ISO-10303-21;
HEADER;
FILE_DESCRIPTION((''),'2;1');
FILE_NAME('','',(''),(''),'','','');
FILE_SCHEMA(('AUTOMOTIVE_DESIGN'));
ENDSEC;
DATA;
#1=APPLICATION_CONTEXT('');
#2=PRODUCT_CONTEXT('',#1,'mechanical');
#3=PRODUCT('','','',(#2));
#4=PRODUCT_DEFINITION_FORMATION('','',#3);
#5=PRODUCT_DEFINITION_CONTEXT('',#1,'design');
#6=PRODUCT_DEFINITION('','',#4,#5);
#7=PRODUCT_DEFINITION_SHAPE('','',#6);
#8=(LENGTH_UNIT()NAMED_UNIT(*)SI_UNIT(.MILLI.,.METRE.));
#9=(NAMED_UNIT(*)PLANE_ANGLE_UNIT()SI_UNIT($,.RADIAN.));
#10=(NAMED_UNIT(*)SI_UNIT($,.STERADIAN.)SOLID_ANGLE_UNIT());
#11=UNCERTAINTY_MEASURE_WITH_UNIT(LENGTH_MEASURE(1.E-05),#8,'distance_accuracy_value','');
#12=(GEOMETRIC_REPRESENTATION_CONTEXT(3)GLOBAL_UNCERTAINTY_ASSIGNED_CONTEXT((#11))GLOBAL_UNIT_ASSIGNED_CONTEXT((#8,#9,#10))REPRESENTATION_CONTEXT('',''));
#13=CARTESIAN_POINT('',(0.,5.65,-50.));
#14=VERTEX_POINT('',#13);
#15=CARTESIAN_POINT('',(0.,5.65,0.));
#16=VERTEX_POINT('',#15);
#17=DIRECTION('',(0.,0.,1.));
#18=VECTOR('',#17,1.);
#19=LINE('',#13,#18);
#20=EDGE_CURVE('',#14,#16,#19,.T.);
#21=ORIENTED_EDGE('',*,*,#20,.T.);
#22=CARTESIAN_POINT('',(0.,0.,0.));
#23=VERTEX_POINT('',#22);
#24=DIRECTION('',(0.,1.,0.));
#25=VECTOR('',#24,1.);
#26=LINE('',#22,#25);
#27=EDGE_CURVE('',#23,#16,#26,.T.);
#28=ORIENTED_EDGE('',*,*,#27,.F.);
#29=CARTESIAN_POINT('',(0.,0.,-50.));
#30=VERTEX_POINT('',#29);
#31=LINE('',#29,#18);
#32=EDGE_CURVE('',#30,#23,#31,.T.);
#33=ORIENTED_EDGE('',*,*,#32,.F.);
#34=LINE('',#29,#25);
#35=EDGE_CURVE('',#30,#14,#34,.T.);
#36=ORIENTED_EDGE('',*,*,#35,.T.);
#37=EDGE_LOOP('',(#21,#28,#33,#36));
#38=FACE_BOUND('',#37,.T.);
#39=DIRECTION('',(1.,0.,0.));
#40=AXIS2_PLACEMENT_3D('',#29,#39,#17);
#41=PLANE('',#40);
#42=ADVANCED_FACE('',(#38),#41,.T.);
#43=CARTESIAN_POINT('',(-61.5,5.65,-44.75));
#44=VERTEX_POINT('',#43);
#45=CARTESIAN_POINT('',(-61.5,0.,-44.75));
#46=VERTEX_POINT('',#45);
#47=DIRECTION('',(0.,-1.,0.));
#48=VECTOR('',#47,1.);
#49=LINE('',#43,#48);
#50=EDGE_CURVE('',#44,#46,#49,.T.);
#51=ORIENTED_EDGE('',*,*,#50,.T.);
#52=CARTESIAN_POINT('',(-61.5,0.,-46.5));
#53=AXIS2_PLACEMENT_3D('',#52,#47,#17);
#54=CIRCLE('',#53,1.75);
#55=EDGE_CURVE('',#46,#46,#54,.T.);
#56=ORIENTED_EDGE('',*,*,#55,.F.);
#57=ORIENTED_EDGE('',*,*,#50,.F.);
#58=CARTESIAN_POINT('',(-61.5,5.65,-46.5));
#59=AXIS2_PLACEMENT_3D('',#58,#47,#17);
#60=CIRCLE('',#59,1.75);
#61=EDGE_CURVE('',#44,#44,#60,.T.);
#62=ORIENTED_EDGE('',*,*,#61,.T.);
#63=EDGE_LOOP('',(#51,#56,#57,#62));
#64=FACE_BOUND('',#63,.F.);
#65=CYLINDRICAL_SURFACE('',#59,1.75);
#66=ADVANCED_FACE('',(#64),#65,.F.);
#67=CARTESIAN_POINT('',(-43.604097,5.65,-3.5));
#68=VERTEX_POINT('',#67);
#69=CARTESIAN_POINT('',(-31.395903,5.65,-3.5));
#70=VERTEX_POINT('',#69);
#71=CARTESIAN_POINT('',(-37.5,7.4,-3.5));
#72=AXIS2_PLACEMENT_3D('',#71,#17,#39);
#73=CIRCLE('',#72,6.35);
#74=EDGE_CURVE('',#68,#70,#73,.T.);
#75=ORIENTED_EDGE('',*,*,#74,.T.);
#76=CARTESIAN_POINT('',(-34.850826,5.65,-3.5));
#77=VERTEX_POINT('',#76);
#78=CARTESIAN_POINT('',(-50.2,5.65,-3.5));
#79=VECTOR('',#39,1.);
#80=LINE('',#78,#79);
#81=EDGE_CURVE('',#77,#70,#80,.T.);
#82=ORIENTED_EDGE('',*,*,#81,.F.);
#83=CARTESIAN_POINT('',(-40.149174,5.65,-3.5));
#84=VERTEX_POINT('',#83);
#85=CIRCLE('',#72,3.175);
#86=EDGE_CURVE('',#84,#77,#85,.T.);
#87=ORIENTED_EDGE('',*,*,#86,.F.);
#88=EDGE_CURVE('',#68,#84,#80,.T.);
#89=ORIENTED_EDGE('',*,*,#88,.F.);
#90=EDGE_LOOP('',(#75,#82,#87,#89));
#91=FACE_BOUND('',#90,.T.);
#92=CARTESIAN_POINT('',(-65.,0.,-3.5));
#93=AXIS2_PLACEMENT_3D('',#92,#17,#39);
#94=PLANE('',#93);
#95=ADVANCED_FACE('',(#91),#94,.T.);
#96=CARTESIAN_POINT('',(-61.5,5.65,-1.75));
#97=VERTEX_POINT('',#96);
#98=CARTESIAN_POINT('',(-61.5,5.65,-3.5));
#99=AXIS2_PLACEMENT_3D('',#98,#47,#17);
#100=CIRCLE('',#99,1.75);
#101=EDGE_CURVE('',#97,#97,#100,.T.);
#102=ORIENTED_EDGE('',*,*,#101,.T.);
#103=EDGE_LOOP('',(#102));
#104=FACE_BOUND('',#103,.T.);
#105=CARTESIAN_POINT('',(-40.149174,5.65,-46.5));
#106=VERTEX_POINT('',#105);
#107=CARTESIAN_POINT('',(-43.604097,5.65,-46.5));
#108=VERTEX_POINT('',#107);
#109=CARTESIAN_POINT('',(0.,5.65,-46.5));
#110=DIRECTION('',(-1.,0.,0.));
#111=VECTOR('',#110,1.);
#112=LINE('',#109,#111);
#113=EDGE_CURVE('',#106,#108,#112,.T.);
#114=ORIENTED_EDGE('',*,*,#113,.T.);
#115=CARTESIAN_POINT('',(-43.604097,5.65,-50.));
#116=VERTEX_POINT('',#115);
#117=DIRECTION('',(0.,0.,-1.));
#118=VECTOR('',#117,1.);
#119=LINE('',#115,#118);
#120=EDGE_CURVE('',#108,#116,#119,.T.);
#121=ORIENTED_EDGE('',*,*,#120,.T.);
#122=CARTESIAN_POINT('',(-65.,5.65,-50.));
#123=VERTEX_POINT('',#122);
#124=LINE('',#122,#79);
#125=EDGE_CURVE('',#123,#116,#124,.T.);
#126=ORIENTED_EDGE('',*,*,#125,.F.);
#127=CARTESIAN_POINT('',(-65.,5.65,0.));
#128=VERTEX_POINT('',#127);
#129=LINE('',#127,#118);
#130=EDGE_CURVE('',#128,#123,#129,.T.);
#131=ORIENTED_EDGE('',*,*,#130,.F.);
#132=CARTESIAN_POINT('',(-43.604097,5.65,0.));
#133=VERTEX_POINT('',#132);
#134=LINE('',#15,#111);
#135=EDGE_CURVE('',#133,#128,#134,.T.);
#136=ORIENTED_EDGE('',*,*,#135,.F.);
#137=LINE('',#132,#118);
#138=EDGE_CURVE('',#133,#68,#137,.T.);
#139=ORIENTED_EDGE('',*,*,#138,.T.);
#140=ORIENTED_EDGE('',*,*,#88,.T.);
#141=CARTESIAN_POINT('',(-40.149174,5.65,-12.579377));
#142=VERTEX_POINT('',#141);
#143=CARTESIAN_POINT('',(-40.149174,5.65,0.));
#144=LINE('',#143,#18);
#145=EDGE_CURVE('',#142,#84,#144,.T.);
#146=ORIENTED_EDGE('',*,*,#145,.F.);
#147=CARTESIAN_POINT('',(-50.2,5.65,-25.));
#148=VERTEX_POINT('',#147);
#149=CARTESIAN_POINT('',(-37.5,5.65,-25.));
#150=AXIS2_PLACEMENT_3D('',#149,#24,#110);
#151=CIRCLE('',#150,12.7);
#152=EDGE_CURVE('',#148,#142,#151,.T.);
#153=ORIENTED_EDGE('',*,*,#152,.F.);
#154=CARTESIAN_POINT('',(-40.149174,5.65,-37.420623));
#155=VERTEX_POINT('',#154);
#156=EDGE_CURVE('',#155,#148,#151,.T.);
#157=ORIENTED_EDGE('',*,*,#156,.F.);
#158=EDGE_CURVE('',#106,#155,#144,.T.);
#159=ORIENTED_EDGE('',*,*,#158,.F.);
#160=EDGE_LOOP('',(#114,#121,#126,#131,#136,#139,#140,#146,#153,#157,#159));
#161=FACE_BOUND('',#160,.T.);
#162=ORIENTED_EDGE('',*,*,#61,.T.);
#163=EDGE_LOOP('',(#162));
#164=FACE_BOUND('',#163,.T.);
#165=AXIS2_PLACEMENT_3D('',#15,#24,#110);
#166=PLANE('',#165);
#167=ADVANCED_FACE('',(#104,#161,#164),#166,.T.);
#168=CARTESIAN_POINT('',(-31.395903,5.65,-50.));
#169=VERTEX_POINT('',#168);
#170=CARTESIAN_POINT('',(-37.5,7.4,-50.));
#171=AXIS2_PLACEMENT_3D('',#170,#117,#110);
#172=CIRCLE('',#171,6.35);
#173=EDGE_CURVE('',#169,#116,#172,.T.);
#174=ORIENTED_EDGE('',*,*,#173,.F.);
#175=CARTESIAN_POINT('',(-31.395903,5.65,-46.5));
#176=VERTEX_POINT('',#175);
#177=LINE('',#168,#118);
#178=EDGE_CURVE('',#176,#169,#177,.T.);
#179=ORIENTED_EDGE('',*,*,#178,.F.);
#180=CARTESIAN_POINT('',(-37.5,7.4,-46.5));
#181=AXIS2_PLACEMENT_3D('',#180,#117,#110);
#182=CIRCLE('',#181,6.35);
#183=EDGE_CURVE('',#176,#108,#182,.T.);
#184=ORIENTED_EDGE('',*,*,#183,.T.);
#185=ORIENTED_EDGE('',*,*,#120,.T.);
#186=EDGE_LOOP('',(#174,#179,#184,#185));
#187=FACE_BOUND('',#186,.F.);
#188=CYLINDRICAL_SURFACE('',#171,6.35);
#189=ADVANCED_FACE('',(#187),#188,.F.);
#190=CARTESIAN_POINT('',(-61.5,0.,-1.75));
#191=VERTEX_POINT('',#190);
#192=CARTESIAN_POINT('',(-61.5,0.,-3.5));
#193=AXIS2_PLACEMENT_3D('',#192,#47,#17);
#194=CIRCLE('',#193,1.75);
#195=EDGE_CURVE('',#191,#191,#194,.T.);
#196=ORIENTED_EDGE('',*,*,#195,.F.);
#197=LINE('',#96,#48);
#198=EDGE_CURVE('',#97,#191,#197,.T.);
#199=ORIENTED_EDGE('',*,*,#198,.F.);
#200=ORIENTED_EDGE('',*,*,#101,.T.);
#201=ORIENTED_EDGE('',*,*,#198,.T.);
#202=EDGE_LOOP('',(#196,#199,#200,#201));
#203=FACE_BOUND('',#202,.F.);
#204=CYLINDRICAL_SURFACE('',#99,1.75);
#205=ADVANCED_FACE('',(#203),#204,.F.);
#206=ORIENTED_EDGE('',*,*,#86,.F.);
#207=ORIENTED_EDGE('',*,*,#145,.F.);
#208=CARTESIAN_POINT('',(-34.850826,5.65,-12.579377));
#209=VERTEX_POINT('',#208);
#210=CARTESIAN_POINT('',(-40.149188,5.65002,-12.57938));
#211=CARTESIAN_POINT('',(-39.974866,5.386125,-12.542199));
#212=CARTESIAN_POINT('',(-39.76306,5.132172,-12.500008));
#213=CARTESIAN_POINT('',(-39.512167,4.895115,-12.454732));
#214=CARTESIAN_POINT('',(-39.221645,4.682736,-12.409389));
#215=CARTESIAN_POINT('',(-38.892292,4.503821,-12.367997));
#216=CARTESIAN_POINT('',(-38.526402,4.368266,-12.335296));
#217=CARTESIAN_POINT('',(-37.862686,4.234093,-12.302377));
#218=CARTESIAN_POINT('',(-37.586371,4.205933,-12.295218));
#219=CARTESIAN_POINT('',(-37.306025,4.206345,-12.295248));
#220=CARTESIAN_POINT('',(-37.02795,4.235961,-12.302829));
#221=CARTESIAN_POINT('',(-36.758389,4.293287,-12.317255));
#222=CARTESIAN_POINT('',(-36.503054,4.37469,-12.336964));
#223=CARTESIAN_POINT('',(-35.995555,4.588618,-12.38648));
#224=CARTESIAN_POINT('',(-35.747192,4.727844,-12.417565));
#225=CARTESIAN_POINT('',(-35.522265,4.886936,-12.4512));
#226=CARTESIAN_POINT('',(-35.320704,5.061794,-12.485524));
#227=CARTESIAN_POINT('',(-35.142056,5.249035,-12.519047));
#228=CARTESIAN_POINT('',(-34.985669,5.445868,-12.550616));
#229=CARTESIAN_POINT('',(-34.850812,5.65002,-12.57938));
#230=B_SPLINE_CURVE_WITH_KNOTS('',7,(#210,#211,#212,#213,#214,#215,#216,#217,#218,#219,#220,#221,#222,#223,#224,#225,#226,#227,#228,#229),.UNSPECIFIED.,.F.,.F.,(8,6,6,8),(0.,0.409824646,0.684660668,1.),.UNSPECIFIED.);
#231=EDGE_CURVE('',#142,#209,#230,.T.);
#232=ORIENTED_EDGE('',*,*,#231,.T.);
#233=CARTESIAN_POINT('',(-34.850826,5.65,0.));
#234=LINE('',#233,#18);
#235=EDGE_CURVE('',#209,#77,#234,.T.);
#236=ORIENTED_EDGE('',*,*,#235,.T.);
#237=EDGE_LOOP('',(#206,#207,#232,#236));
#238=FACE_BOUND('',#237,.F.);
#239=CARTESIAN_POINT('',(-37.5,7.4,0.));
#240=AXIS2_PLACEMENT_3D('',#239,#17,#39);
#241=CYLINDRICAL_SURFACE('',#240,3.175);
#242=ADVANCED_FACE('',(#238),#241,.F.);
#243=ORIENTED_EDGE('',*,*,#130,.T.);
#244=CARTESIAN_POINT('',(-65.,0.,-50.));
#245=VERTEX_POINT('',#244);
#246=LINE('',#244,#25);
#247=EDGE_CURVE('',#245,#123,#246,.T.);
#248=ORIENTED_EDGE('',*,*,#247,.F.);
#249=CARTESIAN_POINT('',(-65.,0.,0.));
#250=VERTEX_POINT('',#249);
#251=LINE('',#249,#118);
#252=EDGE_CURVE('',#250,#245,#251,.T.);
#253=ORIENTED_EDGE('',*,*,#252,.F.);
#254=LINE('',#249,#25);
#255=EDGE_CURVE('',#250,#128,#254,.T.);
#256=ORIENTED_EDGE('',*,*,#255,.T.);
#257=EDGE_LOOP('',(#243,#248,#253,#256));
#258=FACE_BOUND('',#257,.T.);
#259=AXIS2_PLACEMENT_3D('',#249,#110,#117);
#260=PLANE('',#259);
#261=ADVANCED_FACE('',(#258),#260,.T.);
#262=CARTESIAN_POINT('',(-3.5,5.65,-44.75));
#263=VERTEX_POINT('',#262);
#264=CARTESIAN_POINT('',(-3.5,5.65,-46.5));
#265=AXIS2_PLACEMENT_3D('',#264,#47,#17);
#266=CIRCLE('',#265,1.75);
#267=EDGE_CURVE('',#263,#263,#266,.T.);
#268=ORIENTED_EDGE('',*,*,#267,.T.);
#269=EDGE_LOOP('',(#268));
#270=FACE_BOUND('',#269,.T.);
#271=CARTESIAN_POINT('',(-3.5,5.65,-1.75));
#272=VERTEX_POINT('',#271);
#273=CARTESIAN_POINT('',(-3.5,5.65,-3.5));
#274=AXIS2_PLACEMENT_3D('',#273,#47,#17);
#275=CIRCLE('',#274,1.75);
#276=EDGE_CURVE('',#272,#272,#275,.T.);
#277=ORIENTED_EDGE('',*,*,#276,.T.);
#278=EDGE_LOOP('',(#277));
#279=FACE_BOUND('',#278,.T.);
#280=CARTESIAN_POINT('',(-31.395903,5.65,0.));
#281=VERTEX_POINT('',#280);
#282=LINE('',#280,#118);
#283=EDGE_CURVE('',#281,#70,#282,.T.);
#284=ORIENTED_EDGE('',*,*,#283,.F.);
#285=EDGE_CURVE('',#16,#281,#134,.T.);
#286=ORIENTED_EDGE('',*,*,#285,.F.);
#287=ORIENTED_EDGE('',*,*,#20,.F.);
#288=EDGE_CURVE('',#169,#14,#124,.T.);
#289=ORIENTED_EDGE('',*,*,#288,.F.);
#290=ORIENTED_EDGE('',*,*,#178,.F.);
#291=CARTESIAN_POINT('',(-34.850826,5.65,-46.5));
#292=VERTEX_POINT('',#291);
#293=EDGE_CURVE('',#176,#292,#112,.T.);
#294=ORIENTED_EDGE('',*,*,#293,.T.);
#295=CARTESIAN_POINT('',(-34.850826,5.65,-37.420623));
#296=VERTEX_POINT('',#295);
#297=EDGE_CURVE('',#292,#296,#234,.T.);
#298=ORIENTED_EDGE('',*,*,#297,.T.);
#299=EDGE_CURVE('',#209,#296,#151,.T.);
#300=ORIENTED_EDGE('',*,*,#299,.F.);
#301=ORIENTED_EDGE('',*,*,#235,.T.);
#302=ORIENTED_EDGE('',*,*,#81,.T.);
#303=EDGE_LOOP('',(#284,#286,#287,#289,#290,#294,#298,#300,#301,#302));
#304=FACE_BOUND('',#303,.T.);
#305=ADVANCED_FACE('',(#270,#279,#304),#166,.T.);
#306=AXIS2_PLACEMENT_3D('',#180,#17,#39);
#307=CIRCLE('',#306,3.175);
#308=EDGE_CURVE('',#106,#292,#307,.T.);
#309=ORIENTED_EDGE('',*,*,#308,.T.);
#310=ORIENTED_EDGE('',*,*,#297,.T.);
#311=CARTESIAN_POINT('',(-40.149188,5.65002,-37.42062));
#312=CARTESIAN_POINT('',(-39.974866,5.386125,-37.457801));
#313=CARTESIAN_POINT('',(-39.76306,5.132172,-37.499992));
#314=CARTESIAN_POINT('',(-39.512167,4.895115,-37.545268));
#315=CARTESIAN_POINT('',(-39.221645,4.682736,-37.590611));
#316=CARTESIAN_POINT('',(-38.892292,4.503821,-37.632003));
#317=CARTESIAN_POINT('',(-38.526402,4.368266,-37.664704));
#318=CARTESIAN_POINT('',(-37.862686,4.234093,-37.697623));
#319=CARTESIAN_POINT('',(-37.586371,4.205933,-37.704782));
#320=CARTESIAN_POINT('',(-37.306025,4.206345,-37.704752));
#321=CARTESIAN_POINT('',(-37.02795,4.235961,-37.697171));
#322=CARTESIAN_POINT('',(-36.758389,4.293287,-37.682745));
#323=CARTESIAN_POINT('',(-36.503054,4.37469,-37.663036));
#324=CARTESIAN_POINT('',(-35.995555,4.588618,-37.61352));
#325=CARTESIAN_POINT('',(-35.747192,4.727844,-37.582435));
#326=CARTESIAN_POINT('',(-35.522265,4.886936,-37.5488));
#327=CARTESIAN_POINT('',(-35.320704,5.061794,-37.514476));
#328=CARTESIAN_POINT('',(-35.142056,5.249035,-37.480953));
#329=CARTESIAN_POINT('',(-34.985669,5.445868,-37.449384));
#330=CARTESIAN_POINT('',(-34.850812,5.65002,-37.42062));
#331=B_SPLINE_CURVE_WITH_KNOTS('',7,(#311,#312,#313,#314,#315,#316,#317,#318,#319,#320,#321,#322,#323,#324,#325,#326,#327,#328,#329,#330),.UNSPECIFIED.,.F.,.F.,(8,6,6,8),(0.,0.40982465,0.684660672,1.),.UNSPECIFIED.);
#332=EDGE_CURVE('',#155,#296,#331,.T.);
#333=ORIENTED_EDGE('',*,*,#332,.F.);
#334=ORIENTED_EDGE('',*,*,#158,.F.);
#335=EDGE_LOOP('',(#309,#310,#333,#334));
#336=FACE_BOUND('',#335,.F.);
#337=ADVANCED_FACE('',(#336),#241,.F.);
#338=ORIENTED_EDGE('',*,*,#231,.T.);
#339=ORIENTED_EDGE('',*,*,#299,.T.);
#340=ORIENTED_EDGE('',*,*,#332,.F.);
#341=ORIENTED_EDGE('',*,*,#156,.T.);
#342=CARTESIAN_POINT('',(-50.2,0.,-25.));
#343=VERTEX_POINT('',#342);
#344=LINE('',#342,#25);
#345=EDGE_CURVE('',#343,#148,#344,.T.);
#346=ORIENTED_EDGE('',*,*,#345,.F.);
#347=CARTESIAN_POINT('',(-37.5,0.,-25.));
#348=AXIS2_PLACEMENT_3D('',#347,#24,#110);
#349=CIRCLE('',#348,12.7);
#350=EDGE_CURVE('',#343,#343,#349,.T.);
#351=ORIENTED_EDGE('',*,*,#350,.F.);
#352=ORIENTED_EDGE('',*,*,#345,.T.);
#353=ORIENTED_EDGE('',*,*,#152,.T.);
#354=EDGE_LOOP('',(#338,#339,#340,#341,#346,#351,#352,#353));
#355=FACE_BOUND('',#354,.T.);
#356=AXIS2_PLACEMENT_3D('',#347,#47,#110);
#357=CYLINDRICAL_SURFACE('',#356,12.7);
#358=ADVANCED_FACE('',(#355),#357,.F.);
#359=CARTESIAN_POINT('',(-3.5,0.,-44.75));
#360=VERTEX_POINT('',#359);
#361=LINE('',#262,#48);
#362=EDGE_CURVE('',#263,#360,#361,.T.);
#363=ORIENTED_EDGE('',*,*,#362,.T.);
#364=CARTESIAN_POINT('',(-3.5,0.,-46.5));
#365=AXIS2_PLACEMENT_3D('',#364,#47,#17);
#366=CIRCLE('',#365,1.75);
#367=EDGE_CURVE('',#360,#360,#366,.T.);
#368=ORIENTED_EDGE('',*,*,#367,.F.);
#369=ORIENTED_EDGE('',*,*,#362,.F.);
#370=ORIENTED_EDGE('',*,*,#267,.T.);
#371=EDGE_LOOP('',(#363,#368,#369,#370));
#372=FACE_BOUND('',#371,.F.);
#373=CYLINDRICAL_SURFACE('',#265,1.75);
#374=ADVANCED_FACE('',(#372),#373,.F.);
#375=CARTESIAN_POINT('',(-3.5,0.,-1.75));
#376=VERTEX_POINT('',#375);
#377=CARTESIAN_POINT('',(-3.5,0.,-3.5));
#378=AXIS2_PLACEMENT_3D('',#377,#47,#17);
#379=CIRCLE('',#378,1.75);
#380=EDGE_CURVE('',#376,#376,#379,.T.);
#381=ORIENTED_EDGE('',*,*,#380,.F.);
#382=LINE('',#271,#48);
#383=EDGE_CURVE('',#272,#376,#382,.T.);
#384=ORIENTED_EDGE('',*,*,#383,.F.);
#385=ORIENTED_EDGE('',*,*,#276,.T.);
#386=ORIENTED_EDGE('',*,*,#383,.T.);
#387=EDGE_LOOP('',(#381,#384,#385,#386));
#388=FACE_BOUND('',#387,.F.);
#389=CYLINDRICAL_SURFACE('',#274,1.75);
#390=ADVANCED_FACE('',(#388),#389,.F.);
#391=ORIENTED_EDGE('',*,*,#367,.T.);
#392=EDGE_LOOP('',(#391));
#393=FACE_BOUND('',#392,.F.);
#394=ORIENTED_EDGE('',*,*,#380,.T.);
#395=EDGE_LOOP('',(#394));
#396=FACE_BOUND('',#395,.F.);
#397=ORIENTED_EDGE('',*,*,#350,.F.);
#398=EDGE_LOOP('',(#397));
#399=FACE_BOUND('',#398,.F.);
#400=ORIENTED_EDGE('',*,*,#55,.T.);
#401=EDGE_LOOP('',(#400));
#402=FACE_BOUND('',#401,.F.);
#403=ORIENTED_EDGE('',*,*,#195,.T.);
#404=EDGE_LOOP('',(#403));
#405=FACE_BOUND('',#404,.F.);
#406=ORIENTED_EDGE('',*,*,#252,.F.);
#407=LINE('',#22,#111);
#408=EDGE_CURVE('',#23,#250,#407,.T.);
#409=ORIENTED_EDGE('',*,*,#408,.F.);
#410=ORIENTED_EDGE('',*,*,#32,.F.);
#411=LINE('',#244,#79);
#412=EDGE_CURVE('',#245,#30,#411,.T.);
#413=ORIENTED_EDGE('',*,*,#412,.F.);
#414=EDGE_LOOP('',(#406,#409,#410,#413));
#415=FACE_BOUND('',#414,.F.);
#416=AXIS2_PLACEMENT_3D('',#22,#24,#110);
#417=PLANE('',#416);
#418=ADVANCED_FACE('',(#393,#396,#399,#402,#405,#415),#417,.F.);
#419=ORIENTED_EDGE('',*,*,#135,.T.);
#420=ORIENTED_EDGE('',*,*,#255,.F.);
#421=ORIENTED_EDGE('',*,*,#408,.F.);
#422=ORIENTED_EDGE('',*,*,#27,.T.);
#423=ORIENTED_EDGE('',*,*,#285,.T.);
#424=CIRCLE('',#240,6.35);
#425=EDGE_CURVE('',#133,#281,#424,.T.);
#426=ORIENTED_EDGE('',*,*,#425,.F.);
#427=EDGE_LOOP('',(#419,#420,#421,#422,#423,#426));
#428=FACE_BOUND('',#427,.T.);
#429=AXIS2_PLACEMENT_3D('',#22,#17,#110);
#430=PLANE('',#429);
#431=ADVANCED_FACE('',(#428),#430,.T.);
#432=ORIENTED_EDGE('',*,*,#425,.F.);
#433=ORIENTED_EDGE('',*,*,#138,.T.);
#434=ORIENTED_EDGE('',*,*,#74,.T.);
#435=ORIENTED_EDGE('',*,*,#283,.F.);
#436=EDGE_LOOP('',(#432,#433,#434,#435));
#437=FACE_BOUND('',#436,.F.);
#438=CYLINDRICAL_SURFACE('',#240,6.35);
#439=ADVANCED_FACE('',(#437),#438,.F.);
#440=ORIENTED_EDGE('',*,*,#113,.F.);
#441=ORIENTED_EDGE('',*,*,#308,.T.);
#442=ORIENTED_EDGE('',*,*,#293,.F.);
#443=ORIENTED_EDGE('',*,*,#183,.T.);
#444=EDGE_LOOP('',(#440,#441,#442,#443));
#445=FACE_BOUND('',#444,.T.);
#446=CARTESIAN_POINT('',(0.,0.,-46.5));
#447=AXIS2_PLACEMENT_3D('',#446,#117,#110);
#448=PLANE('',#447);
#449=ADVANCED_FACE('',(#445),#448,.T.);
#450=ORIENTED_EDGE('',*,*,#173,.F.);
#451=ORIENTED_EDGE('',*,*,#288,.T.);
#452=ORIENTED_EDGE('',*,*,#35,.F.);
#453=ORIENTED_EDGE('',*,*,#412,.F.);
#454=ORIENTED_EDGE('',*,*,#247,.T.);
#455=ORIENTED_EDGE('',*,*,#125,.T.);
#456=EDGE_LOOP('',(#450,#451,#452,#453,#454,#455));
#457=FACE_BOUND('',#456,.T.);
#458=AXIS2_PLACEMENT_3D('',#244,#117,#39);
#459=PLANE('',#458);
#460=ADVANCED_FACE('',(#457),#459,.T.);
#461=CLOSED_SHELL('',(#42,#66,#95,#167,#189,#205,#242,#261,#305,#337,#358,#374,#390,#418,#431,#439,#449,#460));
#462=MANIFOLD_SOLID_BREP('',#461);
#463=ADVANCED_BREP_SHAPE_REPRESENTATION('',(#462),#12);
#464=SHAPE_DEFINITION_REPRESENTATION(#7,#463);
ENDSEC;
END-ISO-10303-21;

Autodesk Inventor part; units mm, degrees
ref_plane "YZ Plane" through (0, 0, 0) normal (1, 0, 0) x (0, 1, 0)
ref_plane "XZ Plane" through (0, 0, 0) normal (0, 1, 0) x (-1, 0, 0)
ref_plane "XY Plane" through (0, 0, 0) normal (0, 0, 1) x (1, 0, 0)
sketch "Sketch1" plane through (0, 0, 0) normal (0, 1, 0) x (-1, 0, 0)
  line L0 (0, 0) -> (65, 0)
  line L1 (65, 0) -> (65, -50)
  line L2 (65, -50) -> (0, -50)
  line L3 (0, -50) -> (0, 0)
  circle A0 centre (37.5, -25) radius 12.7
  dimension "d0" = 65
  dimension "d1" = 50
  dimension "d2" = 25.4
  dimension "d3" = 27.5
extrude "Extrusion1" add sketch "Sketch1" along normal blind 5.65
thread "Thread1" size "1-32 UN" class "2B" standard "ANSI Unified Screw Threads" full length
sketch "Sketch2" plane through (0, 5.65, 0) normal (0, 1, 0) x (1, 0, 0)
  line L0 (-65, 0) -> (0, 0) projected
  line L1 (-65, 50) -> (-65, 0) projected
  line L2 (0, 0) -> (0, 50) projected
  line L3 (0, 50) -> (-65, 50) projected
  point P0 (-61.5, 3.5)
  point P1 (-3.5, 3.5)
  point P2 (-3.5, 46.5)
  point P3 (-61.5, 46.5)
  dimension "d15" = 3.5
  dimension "d16" = 3.5
  dimension "d17" = 3.5
  dimension "d18" = 3.5
  dimension "d19" = 3.5
  dimension "d20" = 3.5
  dimension "d21" = 3.5
  dimension "d22" = 3.5
hole "Hole1" at (-61.5, 5.65, -3.5) at (-3.5, 5.65, -3.5) at (-3.5, 5.65, -46.5) at (-61.5, 5.65, -46.5) direction (0, -1, 0) diameter 3.5 end through all
sketch "Sketch3" plane through (-65, 0, 0) normal (0, 0, 1) x (1, 0, 0)
  line L0 (14.8, 5.65) -> (40.2, 5.65) projected
  line L1 (27.5, 5.65) -> (27.5, 7.4)
  circle A0 centre (27.5, 7.4) radius 3.175
  circle A1 centre (27.5, 7.4) radius 6.35
  point P0 (65, 0)
  point P1 (21.3959, 5.65)
  point P2 (33.6041, 5.65)
  point P3 (30.1492, 5.65)
  point P4 (24.8508, 5.65)
  dimension "d23" = 1.75
  dimension "d24" = 6.35
  dimension "d25" = 12.7
extrude "Extrusion2" cut sketch "Sketch3" against normal blind 60 contours A0 L0 | L0 A0
extrude "Extrusion3" cut sketch "Sketch3" against normal blind 3.5 contours L0 A0 A1 picked at (22.7391, 5.1926)
sketch "Sketch4" plane through (0, 0, -50) normal (0, 0, -1) x (-1, 0, 0)
  arc A0 (34.8508, 5.65) -> (40.1492, 5.65) centre (37.5, 7.4) ccw projected
  circle A1 centre (37.5, 7.4) radius 6.35
  point P0 (0, 0)
  dimension "d30" = 12.7
extrude "Extrusion4" cut sketch "Sketch4" against normal blind 3.5
thread "Thread2" size "1/2-32 UN" class "2B" standard "ANSI Unified Screw Threads" full length
equation "\"d30\" = d25"
properties part number "CuvetteHolderFace" material "Aluminum 6061"
